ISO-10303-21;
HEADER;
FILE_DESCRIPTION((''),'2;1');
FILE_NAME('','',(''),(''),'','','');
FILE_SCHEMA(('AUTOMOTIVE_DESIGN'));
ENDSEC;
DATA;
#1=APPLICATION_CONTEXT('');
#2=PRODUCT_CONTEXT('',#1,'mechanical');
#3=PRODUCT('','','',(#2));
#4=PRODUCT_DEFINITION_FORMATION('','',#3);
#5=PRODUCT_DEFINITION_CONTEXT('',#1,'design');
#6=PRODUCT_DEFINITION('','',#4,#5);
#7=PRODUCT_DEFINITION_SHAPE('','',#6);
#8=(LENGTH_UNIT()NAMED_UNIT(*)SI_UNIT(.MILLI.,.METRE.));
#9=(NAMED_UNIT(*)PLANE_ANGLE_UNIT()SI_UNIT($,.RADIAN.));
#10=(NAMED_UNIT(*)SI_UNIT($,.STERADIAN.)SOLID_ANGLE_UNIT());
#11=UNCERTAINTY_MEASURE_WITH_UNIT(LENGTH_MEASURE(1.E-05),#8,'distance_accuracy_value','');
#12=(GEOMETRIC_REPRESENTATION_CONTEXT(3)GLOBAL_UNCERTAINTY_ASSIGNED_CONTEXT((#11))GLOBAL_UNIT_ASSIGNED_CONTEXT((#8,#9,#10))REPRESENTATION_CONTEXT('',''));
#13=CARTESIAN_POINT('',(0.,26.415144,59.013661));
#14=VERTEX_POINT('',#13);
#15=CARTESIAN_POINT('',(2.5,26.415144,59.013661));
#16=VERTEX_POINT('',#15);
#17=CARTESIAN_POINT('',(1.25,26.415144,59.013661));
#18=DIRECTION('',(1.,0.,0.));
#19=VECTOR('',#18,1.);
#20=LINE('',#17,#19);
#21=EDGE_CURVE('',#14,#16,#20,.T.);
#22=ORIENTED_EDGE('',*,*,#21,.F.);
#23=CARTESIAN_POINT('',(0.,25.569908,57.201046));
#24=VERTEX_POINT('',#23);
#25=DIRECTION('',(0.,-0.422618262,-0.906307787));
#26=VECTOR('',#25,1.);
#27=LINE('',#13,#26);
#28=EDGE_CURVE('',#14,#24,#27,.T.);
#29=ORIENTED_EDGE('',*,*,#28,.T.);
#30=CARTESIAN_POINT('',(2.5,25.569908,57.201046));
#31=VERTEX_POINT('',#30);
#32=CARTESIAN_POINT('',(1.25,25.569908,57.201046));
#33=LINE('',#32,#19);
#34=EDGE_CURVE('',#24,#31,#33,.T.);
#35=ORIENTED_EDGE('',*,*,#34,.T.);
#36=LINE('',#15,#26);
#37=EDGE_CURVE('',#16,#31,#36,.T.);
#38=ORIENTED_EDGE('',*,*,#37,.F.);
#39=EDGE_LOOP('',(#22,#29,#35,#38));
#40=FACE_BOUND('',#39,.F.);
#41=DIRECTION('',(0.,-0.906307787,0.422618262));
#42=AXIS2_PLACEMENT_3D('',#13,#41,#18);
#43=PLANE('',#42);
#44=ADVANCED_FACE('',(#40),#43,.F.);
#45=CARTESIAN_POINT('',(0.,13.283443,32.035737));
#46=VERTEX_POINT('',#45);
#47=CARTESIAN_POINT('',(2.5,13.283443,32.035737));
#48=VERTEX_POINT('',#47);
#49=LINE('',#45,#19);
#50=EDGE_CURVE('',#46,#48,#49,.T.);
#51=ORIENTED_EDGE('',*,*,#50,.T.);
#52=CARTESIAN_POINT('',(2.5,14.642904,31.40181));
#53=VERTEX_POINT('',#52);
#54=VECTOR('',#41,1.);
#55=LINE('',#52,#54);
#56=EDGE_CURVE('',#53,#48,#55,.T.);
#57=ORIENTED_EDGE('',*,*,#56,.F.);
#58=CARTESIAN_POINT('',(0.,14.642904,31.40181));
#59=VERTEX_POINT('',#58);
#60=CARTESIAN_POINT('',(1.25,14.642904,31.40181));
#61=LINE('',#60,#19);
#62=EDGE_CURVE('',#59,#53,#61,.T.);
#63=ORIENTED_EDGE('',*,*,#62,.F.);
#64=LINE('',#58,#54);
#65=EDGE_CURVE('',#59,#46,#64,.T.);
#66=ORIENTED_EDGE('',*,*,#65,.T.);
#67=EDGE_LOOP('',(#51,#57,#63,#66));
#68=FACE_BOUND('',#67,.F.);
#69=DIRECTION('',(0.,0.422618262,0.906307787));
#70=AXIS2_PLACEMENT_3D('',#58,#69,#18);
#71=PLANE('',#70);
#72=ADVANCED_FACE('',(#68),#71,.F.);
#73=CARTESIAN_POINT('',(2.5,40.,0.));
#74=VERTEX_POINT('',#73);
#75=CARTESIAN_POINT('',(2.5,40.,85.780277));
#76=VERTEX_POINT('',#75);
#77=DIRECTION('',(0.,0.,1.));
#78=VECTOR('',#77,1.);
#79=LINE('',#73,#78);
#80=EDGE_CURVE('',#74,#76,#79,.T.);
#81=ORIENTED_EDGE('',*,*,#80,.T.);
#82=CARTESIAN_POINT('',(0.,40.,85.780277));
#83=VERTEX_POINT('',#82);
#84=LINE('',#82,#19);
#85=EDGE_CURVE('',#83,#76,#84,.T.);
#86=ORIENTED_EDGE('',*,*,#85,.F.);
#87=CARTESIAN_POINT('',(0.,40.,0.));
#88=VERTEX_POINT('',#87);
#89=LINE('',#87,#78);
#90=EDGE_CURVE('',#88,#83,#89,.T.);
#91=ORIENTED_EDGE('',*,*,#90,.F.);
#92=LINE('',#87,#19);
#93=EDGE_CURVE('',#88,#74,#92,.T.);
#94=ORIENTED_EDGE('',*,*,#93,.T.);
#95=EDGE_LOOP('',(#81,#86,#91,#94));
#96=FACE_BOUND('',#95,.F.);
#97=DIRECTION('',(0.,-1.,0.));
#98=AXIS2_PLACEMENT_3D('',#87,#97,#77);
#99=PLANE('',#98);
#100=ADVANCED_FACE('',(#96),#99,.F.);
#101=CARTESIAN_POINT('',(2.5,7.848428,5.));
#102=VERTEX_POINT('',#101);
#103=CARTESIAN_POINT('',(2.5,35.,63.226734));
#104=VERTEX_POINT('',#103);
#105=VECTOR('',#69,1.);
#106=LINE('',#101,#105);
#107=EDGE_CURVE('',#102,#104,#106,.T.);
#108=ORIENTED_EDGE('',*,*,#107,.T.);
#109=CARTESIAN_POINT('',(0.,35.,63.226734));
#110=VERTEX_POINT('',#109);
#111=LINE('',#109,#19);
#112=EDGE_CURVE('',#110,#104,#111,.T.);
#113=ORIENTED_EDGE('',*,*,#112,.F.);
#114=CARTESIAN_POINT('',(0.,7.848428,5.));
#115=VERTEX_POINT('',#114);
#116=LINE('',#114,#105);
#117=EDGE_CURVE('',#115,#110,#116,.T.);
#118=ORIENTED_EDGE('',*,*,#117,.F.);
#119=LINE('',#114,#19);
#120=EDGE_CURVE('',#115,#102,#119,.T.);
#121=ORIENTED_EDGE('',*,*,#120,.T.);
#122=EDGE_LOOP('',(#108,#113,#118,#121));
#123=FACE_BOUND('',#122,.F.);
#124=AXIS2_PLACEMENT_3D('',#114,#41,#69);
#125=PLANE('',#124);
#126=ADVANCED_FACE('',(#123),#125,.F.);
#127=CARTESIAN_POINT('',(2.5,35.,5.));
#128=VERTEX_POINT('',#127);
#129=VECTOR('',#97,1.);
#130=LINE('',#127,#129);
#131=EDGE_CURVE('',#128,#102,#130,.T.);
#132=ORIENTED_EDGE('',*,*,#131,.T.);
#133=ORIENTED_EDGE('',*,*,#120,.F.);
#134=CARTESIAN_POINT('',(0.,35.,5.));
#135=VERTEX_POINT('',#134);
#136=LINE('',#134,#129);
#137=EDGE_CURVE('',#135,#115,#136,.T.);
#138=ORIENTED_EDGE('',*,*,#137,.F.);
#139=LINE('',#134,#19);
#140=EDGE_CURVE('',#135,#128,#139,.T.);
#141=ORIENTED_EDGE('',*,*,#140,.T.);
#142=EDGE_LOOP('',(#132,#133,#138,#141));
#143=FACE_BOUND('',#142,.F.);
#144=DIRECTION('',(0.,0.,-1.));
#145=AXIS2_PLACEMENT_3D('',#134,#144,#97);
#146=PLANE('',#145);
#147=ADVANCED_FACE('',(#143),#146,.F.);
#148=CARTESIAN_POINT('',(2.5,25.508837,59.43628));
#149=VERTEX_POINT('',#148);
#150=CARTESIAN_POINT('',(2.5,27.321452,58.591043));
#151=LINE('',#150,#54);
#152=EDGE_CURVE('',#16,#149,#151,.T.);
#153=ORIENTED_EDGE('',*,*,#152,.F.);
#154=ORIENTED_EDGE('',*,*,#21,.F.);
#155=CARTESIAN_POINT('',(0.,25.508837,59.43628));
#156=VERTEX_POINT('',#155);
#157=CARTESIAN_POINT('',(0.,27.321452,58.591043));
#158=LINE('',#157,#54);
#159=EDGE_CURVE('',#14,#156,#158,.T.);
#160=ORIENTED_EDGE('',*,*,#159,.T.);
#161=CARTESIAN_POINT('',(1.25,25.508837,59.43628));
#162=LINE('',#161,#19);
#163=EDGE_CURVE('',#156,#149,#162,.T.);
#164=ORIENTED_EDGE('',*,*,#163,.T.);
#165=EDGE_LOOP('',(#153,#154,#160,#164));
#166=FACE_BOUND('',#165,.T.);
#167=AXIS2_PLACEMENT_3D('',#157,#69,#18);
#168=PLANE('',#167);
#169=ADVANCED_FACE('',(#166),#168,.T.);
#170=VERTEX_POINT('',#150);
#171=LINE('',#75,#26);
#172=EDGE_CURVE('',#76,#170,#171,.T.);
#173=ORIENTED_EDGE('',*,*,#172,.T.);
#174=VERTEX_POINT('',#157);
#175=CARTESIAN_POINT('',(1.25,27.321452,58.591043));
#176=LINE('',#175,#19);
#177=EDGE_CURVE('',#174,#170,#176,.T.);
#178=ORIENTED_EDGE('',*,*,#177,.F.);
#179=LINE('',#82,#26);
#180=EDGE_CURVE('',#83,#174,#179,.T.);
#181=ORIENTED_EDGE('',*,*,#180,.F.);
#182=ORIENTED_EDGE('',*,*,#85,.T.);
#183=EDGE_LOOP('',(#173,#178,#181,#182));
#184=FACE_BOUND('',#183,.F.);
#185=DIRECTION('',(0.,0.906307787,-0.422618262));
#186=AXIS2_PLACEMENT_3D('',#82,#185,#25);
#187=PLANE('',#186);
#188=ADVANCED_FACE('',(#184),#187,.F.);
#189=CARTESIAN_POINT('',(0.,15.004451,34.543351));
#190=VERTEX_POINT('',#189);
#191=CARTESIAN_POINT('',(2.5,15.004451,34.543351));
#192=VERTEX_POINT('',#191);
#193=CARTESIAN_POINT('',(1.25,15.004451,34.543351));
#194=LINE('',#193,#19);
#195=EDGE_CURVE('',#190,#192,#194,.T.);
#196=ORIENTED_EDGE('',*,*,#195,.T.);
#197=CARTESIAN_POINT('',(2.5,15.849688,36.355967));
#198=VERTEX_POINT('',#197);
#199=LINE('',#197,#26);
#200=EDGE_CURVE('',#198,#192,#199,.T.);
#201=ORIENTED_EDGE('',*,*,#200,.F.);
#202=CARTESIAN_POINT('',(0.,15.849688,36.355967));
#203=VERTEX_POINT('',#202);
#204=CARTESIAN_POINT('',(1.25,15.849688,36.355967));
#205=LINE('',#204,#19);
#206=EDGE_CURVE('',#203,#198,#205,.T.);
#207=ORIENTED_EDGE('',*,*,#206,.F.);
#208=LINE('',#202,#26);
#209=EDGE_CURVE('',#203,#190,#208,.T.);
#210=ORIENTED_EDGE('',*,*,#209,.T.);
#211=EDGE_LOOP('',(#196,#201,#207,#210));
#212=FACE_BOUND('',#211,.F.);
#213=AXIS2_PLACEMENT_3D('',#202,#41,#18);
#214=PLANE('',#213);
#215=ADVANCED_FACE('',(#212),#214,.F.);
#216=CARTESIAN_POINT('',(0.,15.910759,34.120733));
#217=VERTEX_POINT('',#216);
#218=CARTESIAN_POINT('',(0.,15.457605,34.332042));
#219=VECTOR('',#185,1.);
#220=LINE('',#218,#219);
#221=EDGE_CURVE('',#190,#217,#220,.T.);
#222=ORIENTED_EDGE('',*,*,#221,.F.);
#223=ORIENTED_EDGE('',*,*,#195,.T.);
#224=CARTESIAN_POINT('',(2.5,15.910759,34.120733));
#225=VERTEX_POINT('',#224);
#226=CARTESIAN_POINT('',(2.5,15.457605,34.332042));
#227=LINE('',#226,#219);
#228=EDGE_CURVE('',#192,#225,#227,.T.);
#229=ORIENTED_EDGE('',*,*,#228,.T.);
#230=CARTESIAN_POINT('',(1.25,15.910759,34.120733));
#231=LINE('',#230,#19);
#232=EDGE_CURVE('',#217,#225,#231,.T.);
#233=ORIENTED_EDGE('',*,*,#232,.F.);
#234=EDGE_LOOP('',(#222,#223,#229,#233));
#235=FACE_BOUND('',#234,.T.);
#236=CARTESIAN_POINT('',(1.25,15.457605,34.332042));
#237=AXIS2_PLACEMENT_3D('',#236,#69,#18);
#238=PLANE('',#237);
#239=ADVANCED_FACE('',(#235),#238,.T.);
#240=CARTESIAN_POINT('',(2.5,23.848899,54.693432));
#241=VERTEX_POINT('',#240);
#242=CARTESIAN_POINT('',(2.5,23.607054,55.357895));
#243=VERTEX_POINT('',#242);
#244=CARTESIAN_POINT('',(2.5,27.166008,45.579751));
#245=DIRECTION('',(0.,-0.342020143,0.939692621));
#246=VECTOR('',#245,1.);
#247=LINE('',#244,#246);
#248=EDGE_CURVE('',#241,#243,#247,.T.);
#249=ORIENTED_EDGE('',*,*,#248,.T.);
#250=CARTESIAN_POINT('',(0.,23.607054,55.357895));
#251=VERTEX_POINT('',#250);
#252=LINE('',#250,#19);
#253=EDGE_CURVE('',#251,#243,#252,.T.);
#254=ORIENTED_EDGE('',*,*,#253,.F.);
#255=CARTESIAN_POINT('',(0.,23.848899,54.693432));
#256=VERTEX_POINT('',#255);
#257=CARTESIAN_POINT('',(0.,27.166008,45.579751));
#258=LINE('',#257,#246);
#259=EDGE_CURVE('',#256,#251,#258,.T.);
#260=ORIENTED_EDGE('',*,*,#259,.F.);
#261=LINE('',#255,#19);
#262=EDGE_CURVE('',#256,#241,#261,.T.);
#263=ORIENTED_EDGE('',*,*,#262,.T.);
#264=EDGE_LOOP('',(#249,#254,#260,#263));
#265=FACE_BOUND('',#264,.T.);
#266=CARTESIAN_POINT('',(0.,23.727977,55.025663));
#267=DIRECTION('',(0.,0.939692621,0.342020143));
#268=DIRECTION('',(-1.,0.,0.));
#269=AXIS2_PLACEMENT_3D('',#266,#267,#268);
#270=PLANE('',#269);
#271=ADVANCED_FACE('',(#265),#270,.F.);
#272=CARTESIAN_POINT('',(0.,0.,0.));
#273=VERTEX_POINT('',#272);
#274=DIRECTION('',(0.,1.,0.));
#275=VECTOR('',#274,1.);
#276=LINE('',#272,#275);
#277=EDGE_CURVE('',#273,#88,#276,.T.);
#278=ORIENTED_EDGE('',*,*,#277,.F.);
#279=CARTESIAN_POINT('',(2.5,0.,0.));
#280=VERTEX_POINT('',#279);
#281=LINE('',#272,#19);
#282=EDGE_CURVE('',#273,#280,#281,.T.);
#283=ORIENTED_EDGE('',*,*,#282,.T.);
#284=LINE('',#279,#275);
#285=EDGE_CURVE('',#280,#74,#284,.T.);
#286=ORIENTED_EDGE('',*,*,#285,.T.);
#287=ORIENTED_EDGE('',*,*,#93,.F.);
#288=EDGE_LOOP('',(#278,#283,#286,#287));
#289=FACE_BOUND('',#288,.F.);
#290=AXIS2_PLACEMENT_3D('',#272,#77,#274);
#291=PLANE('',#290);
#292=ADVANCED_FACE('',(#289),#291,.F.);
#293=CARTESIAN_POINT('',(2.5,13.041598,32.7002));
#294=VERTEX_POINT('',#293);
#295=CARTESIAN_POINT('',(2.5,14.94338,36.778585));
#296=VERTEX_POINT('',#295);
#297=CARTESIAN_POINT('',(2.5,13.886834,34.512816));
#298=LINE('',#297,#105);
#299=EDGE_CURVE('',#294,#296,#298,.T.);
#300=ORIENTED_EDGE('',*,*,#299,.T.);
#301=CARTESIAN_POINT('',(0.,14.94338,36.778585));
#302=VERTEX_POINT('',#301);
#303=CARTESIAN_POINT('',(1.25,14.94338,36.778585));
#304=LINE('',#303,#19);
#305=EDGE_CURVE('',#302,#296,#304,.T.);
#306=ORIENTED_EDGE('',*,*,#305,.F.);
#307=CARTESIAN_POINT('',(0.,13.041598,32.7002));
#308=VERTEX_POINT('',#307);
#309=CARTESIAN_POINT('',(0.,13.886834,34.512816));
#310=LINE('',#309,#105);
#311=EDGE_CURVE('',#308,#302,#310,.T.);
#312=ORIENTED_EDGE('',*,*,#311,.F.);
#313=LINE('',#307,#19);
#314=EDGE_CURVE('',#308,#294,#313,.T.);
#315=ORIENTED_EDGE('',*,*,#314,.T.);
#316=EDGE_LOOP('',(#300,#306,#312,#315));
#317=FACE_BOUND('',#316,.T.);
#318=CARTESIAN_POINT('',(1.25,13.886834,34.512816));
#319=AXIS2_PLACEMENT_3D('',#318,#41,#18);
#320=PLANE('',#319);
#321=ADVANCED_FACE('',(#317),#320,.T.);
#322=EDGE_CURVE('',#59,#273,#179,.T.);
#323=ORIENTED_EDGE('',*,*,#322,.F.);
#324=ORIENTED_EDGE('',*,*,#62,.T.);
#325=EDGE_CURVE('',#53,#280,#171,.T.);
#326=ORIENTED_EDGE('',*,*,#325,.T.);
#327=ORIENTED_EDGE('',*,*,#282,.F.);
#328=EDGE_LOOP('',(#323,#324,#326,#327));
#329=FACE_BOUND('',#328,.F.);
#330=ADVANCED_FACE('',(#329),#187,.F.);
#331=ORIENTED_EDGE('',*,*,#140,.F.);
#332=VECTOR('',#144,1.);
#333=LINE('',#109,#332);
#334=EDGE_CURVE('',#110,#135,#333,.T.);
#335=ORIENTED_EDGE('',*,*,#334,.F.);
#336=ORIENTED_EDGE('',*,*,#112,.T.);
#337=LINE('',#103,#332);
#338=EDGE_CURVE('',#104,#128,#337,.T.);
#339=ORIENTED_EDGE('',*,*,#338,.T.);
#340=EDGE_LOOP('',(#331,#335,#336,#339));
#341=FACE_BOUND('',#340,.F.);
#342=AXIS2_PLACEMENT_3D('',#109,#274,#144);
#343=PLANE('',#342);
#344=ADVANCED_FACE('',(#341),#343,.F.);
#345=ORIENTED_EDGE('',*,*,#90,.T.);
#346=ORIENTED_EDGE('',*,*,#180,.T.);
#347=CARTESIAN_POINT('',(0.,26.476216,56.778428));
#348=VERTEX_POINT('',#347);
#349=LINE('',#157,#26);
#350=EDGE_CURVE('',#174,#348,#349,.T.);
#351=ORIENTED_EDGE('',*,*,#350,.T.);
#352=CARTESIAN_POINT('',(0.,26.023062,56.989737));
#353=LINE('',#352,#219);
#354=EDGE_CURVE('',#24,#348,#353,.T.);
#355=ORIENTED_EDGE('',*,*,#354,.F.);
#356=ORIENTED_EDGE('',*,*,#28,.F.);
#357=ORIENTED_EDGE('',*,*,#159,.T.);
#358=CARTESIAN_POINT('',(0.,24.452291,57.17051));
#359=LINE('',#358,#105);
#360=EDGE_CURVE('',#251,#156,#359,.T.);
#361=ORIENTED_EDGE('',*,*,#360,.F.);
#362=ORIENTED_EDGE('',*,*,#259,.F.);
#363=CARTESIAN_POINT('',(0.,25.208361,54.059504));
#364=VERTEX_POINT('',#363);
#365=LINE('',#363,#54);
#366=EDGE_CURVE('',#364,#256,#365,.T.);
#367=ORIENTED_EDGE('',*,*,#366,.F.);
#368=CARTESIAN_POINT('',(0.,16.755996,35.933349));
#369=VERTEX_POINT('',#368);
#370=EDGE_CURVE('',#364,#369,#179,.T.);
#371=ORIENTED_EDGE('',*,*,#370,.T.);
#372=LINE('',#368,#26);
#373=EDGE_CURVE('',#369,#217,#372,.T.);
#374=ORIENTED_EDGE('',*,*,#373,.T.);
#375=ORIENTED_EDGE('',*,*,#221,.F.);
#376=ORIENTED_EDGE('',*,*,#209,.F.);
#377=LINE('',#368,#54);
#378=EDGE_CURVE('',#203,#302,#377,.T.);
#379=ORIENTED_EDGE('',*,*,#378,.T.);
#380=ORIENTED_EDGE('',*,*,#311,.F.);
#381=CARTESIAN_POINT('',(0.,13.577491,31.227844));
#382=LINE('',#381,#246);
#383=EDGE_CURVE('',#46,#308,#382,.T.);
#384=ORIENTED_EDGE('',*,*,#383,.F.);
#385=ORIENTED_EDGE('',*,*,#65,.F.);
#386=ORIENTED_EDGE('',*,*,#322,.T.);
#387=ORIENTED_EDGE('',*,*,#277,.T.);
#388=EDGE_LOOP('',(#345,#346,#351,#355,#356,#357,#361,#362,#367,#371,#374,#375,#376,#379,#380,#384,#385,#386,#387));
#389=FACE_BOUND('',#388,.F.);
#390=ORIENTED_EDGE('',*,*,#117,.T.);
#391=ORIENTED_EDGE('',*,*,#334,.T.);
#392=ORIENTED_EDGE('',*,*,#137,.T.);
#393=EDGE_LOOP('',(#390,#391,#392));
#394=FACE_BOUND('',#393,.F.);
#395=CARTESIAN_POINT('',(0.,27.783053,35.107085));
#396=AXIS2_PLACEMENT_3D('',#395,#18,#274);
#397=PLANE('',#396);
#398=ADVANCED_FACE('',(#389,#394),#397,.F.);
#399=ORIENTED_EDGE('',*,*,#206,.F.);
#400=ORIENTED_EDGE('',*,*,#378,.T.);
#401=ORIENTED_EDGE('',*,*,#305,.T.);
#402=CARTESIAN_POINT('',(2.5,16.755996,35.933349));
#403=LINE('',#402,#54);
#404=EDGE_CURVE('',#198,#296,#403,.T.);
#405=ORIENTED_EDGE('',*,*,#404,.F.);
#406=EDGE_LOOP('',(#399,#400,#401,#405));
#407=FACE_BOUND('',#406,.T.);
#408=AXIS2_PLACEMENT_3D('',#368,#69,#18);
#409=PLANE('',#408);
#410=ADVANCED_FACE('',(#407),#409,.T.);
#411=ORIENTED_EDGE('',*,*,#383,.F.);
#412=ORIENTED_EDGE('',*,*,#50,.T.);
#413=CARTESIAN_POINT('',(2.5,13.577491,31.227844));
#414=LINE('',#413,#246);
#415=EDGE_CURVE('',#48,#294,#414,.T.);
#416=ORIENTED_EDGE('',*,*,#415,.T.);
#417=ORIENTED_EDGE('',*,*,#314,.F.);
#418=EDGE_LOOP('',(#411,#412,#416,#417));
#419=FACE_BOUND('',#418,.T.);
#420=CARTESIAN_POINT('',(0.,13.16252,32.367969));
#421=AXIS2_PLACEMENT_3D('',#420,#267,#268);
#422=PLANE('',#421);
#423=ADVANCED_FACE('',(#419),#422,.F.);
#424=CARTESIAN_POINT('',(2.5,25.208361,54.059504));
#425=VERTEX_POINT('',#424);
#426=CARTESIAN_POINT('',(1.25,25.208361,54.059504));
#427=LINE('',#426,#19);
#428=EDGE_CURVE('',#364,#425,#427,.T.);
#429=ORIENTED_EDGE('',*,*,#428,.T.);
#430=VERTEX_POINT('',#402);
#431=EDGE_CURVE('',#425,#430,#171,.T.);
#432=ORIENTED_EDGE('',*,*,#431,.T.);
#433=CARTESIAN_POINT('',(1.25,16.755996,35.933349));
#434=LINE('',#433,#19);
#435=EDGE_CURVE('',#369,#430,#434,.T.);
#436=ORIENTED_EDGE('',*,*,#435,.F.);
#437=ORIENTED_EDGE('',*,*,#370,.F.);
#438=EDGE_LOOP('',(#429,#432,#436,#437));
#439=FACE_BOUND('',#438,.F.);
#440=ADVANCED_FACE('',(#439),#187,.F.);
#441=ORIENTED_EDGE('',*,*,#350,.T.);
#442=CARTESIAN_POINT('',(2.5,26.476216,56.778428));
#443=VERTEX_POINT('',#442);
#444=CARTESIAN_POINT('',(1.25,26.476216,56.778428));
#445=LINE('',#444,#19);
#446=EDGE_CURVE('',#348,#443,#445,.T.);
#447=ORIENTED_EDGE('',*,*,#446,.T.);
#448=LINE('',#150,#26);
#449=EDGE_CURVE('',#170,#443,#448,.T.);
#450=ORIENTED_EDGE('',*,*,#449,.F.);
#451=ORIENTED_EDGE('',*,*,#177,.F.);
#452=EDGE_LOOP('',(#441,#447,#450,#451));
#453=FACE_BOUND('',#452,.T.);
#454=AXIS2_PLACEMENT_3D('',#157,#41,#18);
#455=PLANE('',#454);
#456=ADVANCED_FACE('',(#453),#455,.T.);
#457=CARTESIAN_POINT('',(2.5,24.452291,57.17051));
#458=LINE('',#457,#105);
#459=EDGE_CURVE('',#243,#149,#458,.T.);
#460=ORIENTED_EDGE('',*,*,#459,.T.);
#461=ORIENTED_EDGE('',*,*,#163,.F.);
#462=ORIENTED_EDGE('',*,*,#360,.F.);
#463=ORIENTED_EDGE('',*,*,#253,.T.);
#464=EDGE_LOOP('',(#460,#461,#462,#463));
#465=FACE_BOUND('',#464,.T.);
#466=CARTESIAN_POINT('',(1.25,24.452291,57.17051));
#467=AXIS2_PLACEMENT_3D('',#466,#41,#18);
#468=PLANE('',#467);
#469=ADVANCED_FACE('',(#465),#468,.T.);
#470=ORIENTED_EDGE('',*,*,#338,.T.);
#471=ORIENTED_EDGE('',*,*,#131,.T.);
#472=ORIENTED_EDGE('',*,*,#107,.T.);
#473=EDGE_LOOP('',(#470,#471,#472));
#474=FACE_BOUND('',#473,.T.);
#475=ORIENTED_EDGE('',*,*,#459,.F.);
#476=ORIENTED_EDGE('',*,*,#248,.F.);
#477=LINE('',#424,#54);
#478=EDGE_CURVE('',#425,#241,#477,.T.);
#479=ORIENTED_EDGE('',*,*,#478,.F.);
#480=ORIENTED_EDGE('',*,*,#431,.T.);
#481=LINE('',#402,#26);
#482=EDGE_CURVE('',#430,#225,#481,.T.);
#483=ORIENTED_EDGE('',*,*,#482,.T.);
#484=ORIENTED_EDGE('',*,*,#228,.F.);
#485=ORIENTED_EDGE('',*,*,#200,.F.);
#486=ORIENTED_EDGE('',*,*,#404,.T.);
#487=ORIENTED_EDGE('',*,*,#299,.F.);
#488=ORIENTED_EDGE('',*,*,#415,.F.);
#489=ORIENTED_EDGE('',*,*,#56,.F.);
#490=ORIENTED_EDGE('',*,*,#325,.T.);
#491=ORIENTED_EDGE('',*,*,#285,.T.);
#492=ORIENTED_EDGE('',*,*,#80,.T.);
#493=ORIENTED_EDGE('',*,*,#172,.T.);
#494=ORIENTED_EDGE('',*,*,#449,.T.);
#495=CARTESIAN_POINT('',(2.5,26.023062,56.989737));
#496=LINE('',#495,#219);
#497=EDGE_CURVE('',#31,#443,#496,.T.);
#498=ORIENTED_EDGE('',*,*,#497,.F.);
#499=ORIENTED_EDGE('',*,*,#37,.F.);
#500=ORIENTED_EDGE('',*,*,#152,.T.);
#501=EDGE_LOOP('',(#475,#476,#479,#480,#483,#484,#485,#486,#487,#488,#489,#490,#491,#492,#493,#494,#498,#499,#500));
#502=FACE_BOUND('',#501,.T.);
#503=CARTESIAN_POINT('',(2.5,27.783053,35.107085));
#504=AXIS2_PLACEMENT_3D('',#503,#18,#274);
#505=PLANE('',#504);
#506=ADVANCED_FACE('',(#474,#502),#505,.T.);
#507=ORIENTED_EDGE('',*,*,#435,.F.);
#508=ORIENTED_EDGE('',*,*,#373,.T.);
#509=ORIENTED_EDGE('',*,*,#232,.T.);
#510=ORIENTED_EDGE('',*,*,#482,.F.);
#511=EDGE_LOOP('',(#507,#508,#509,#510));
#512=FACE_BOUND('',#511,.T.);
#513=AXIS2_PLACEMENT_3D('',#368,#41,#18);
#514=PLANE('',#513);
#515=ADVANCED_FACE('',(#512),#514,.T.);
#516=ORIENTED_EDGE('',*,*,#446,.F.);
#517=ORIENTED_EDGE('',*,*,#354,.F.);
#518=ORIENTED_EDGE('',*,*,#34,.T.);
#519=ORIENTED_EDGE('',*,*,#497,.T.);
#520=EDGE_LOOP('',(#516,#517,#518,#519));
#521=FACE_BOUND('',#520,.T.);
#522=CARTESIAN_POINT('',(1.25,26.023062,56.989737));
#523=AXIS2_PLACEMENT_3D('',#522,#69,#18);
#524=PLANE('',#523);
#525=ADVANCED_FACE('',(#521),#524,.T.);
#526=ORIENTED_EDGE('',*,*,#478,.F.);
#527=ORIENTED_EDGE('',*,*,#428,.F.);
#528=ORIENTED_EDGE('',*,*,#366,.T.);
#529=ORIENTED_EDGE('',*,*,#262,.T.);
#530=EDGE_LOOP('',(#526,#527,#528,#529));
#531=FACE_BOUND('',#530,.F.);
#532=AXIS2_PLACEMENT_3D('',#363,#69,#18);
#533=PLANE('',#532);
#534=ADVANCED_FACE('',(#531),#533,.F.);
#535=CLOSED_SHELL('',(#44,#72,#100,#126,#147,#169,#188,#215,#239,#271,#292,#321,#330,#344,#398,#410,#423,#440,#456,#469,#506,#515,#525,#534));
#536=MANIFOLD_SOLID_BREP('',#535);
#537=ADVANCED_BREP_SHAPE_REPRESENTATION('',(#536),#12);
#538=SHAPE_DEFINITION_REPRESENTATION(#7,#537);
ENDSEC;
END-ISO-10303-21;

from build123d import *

# Parameters (mm, degrees)
F2_DEPTH = 2.5
F3_W     = 2.5
F3_H     = 5
F4_DEPTH = 2
F5_W     = 2.5
F5_H     = 1
F6_W     = 2.5
F6_H     = 1
F7_DEPTH = 2
F8_SIZE  = 0.5


with BuildPart() as f2:
    # F1 (on Right) → F2 (new body)
    with BuildSketch(Plane.YZ):
        Polygon((0, 0), (40, 0), (40, 85.7802768204), align=None)
        Polygon((35, 5), (7.8484278856, 5), (35, 63.2267343021), align=None, mode=Mode.SUBTRACT)
    extrude(amount=F2_DEPTH)

    # F3 (on face) → F4 (join)
    with BuildSketch(Plane(origin=(0, 0, 0), x_dir=(1, 0, 0), z_dir=(0, -0.906307787, 0.4226182617))):
        with Locations((1.25, 62.1480633261)):
            Rectangle(F3_W, F3_H)
        with Locations((1.25, 37.1480633261)):
            Rectangle(F3_W, F3_H)
    extrude(amount=F4_DEPTH)

    # F5 (on face) + F6 (on face) → F7 (cut)
    with BuildSketch(Plane(origin=(0, 27.3214521478, 58.5910432093), x_dir=(1, 0, 0), z_dir=(0, 0.4226182617, 0.906307787))):
        with Locations((1.25, -0.5)):
            Rectangle(F5_W, F5_H)
    with BuildSketch(Plane(origin=(0, 16.7559956043, 35.9333485334), x_dir=(1, 0, 0), z_dir=(0, 0.4226182617, 0.906307787))):
        with Locations((1.25, -0.5)):
            Rectangle(F6_W, F6_H)
    extrude(amount=-F7_DEPTH, mode=Mode.SUBTRACT)

    # F8
    f8_edges = [f2.edges().sort_by_distance(p)[0] for p in [
        (1.25, 12.830289, 32.247046),
        (1.25, 23.395745, 54.904741),
    ]]
    chamfer(f8_edges, length=F8_SIZE)


solid = f2.part
